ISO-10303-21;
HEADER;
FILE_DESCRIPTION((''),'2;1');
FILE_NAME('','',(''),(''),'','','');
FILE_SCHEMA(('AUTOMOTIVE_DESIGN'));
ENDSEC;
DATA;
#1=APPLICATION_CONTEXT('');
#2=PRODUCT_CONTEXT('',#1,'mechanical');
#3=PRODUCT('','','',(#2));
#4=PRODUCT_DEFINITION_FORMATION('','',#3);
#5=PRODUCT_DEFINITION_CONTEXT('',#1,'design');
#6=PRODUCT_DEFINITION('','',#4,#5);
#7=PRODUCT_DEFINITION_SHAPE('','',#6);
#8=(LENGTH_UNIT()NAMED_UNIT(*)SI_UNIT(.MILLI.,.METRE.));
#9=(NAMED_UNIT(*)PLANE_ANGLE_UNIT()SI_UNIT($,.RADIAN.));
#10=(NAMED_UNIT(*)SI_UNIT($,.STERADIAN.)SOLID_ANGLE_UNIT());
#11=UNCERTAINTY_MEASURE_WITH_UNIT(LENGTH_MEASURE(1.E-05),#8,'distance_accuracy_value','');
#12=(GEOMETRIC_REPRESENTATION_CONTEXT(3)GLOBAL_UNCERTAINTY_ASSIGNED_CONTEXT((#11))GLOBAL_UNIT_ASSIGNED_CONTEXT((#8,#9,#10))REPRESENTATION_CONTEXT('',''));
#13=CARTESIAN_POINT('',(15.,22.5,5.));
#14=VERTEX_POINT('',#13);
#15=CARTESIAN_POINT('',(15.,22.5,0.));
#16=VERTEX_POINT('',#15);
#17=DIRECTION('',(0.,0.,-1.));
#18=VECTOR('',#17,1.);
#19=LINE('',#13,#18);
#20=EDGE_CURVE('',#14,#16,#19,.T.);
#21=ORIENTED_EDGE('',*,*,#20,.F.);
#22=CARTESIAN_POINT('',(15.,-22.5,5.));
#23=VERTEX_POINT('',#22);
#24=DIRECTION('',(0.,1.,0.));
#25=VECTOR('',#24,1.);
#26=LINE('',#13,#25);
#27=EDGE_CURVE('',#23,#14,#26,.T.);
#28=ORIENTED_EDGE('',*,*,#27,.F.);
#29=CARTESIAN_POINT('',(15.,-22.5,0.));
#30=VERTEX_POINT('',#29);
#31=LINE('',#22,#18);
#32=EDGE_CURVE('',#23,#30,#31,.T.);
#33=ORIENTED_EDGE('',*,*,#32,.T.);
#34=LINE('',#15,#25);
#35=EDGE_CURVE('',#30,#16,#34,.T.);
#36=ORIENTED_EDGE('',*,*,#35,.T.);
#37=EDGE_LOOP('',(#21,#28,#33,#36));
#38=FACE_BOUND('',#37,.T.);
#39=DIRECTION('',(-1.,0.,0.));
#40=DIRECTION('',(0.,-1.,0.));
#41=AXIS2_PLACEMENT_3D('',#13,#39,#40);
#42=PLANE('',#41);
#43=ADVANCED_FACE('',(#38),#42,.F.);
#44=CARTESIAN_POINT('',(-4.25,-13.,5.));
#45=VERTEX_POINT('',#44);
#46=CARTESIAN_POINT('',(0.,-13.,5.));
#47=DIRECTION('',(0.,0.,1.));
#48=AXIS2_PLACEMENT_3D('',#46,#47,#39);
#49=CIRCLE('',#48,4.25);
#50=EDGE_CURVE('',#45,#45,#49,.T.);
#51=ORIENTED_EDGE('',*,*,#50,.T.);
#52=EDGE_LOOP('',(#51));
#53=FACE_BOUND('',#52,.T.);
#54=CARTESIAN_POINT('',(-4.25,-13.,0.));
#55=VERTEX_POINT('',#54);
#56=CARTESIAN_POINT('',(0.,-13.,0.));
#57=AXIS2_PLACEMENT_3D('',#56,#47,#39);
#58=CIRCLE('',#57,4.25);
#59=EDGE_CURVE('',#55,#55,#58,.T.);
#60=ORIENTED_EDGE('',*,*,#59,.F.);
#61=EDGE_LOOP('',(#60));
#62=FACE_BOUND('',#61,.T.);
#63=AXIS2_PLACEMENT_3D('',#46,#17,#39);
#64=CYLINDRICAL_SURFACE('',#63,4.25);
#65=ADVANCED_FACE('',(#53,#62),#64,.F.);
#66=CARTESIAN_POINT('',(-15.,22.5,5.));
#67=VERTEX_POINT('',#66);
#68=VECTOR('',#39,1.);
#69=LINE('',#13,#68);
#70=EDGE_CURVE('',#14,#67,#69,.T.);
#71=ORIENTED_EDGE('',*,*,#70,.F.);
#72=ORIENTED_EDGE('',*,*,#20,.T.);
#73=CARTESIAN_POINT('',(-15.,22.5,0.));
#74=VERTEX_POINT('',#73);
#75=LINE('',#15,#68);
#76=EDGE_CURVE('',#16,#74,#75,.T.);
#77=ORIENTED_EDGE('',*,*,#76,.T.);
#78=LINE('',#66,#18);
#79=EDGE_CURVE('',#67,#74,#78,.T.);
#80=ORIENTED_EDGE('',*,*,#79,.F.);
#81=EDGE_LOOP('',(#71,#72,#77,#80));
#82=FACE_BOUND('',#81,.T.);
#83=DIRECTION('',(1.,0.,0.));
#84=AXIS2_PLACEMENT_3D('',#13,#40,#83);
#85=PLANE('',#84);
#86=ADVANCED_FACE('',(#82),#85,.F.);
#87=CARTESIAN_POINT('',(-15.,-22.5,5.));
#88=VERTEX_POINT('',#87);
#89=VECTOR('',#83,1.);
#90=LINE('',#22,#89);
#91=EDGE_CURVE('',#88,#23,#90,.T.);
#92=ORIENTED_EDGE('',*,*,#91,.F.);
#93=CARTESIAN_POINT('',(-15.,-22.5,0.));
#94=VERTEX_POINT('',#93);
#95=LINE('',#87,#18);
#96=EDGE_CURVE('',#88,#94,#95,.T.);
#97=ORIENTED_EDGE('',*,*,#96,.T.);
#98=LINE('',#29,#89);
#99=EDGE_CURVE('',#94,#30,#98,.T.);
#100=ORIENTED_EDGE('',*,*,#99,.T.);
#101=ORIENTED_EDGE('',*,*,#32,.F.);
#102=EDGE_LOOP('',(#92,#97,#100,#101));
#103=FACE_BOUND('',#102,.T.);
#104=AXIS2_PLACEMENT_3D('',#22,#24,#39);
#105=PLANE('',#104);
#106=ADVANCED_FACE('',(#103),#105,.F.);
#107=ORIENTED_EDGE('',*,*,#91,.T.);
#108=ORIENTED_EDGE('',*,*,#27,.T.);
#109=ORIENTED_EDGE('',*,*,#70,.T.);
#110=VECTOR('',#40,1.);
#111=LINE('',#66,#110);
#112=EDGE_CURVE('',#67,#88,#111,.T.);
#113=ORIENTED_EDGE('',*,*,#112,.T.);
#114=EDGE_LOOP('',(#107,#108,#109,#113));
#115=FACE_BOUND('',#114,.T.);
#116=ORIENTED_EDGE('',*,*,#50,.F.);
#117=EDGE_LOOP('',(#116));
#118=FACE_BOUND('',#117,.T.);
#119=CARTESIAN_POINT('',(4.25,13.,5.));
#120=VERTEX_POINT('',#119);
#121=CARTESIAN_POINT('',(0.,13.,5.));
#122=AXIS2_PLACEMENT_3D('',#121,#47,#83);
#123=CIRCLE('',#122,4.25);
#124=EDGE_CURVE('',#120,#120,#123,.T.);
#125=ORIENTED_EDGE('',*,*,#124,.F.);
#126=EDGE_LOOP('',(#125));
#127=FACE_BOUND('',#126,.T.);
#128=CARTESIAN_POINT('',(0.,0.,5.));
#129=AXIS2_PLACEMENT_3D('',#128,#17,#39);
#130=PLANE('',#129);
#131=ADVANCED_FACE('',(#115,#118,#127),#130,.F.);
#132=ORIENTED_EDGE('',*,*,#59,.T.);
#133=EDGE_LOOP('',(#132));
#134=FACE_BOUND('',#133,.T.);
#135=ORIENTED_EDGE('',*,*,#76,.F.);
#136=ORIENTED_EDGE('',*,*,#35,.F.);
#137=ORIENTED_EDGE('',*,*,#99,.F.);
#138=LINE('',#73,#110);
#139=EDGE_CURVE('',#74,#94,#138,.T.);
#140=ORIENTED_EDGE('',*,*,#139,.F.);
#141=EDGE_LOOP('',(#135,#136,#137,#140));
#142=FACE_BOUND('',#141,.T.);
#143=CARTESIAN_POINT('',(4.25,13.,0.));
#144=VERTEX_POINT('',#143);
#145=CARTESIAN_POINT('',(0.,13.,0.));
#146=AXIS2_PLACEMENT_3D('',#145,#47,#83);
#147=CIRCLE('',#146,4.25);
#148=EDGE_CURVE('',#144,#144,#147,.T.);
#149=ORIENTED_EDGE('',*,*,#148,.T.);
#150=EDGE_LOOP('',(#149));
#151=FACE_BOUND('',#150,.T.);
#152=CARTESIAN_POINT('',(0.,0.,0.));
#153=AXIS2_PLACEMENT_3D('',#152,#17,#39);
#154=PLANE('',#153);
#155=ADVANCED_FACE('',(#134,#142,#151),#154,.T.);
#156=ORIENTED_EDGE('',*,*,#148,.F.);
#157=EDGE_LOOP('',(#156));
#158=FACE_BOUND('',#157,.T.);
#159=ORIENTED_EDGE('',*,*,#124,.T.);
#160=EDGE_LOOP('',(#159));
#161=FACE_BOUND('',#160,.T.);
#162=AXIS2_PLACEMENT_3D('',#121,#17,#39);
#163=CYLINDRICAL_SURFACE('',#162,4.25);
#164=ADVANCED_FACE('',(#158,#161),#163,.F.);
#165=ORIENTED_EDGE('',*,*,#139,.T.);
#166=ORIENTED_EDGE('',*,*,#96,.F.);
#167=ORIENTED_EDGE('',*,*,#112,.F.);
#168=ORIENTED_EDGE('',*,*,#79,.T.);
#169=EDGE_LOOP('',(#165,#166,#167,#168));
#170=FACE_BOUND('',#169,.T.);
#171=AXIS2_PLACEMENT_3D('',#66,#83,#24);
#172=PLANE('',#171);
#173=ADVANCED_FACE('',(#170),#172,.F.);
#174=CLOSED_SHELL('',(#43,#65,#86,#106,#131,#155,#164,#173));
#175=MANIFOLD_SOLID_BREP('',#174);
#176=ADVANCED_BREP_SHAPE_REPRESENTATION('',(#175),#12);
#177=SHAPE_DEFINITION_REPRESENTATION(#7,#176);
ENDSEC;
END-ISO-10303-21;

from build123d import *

# Parameters (mm, degrees)
SKETCH1_W           = 30
SKETCH1_H           = 45
SKETCH1_R           = 4.25
BOSS_EXTRUDE1_DEPTH = 5


with BuildPart() as part:
    # Sketch1 → Boss-Extrude1 (new body)
    with BuildSketch(Plane.XY):
        Rectangle(SKETCH1_W, SKETCH1_H)
        with Locations((0, 13)):
            Circle(SKETCH1_R, mode=Mode.SUBTRACT)
        with Locations((0, -13)):
            Circle(SKETCH1_R, mode=Mode.SUBTRACT)
    extrude(amount=BOSS_EXTRUDE1_DEPTH)


solid = part.part
